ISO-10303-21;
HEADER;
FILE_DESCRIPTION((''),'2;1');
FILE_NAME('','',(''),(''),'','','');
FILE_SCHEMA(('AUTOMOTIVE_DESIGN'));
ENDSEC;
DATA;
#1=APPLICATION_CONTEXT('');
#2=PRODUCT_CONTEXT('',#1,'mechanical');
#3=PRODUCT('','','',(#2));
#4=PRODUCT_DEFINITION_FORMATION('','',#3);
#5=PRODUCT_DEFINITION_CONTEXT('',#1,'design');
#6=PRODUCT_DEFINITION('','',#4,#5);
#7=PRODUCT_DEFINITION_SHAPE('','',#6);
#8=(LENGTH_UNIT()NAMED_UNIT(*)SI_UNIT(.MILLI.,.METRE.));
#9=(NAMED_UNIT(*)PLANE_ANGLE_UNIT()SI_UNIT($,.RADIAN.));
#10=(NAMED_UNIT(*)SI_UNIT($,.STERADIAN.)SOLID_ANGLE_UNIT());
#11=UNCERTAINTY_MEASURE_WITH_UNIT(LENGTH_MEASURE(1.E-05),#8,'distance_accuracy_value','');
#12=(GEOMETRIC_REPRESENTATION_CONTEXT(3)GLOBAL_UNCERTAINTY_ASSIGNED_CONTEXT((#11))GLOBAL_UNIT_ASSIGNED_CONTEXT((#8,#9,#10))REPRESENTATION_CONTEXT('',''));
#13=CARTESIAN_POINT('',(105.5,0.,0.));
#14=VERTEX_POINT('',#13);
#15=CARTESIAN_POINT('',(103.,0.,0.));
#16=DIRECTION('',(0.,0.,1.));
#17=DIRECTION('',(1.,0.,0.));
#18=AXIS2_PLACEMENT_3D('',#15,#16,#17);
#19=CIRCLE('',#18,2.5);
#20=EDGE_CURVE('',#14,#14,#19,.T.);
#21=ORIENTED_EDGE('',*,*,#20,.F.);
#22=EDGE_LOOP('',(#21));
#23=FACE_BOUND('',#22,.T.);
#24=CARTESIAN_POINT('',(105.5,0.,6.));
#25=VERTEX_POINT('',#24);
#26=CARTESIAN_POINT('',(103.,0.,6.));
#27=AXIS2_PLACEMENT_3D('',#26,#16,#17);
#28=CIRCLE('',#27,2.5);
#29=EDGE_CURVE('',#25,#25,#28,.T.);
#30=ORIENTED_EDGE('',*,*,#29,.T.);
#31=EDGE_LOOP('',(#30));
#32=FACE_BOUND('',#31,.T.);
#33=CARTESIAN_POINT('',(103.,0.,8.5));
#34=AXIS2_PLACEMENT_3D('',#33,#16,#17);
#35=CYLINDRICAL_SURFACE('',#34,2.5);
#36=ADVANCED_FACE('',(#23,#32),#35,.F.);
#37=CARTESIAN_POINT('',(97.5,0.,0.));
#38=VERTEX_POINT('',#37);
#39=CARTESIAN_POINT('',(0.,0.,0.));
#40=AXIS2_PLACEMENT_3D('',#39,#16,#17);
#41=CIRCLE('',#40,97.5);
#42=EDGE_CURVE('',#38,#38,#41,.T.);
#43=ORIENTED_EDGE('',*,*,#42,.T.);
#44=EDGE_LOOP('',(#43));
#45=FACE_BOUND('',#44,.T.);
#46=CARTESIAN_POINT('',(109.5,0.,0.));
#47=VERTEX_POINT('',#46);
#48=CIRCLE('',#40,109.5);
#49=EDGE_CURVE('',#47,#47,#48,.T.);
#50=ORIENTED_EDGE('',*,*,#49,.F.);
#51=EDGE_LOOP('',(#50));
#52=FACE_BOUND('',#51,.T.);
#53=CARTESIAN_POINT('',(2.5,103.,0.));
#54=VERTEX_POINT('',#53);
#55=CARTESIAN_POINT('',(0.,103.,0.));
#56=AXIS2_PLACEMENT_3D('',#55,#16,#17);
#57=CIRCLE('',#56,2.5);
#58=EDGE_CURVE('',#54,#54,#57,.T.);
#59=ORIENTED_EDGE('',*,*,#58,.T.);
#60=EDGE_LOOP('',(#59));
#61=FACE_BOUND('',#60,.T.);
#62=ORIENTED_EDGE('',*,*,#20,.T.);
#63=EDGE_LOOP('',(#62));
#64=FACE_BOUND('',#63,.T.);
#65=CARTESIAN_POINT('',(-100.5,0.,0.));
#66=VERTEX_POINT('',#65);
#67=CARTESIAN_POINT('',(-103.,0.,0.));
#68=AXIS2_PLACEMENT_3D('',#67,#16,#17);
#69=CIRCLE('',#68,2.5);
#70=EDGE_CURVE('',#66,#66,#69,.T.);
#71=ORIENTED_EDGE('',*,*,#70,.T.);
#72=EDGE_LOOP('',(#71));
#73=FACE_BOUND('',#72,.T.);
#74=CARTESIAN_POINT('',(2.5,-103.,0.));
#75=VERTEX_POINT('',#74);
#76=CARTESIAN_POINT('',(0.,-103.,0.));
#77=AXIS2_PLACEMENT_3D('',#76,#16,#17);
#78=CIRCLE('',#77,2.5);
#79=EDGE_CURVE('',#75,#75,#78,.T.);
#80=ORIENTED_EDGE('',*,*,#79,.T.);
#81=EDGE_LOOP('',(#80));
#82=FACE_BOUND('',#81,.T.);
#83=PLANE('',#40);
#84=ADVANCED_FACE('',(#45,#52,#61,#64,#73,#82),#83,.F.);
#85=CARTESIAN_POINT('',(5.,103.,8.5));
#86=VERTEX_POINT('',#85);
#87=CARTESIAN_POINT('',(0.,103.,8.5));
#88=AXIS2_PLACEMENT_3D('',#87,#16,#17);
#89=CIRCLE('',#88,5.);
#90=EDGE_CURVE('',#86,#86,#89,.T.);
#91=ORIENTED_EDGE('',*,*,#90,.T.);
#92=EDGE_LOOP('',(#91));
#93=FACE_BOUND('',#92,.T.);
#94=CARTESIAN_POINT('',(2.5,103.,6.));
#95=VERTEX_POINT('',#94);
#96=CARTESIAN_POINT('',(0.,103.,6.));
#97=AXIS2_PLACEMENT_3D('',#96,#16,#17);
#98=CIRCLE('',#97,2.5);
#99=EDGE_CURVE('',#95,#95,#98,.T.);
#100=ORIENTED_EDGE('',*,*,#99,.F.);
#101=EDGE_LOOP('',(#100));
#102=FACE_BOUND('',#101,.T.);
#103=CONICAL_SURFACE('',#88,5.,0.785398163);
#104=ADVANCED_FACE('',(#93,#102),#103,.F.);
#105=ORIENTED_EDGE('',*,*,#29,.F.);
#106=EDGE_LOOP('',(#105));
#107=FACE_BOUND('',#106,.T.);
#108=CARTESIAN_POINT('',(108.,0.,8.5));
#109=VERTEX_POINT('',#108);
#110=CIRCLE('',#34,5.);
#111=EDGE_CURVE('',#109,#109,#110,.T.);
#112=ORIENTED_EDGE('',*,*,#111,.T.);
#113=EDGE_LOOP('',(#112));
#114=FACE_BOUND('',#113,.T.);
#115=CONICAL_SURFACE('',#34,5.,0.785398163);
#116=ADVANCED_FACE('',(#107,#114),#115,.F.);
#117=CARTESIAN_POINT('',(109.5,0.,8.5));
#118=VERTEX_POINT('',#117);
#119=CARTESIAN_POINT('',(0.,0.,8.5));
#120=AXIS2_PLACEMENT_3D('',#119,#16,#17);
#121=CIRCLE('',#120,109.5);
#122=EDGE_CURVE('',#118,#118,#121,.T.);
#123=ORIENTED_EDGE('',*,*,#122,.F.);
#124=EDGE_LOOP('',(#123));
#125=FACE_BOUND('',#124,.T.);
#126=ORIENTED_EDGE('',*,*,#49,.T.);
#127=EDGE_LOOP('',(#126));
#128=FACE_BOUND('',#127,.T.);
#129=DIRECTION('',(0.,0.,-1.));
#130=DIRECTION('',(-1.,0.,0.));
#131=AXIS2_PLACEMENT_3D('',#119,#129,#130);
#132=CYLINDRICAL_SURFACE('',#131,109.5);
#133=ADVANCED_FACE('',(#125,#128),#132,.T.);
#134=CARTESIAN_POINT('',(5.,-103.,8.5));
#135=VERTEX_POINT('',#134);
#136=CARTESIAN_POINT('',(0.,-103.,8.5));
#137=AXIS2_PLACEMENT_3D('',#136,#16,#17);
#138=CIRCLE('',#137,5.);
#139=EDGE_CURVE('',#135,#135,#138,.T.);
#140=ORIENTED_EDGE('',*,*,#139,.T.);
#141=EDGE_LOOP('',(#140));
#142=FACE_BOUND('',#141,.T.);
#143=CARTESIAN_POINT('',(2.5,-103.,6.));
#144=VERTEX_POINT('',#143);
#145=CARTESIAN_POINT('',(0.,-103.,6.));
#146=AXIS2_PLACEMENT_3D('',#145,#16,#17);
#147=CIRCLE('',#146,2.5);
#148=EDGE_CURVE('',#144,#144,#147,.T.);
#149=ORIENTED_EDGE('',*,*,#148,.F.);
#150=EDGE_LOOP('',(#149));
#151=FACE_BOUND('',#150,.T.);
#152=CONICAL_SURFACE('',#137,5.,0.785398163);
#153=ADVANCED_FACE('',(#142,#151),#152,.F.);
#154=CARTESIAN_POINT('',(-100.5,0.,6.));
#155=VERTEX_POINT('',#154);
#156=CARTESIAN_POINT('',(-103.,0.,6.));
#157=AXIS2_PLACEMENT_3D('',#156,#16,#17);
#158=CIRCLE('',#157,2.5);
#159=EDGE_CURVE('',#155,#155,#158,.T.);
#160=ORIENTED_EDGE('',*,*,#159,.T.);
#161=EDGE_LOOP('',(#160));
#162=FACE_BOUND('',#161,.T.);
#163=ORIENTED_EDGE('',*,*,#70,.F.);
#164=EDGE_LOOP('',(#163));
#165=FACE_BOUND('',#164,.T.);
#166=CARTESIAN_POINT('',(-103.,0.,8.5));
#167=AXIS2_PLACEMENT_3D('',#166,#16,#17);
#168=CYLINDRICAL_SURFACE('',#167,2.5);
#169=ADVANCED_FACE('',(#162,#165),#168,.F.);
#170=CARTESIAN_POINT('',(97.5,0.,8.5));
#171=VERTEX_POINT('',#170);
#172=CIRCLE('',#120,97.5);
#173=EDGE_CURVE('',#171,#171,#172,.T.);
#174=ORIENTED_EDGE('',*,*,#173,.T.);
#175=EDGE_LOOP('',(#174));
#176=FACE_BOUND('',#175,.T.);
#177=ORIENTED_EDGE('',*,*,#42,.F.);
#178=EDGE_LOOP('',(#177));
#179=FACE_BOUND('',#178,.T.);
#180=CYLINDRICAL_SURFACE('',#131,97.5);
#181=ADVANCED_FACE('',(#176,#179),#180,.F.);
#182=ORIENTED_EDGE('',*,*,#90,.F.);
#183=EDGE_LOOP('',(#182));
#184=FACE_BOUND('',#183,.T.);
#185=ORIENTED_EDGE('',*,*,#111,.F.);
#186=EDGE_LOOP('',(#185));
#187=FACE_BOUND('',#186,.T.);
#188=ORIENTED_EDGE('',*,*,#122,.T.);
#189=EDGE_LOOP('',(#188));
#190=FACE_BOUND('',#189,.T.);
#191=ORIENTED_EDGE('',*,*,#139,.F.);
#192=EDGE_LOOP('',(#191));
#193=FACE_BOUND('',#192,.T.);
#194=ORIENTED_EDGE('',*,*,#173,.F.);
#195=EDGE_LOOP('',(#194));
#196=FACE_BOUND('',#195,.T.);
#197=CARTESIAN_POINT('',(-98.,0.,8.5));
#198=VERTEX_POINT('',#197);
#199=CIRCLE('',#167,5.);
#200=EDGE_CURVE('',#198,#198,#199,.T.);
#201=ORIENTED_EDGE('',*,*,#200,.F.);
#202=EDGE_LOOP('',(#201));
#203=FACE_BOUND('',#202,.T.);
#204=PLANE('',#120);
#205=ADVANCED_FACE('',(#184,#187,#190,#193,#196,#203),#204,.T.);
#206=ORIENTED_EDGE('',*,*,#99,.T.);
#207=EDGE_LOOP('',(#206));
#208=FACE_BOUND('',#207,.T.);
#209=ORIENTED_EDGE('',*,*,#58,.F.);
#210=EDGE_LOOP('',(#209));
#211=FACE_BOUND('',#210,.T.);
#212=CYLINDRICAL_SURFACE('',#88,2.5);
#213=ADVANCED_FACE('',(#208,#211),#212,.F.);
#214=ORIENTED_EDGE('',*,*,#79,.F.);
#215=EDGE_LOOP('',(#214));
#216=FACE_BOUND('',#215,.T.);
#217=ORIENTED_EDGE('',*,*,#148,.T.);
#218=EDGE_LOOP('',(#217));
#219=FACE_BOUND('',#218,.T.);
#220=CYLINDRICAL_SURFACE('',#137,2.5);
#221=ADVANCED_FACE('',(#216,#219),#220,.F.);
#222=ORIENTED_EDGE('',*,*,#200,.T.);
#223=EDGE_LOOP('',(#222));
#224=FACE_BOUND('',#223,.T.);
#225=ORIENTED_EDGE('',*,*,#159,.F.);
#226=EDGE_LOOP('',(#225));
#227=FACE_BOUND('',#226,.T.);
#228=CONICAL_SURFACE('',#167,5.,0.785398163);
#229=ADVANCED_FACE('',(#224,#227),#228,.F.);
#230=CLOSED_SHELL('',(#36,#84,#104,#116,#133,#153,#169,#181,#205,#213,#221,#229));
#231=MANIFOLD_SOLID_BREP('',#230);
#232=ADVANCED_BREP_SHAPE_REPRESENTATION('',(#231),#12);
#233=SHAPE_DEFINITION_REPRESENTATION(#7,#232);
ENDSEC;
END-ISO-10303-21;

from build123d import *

# Parameters (mm, degrees)
SCHIZZO1_R                                           = 109.5
SCHIZZO1_R_2                                         = 97.5
ESTRUSIONE_ESTRUSIONE1_DEPTH                         = 8.5
FORO_SVASATO_PER_VITE_M4_A_TESTA_SVASATA_D           = 5
FORO_SVASATO_PER_VITE_M4_A_TESTA_SVASATA_CSINK_D     = 10
FORO_SVASATO_PER_VITE_M4_A_TESTA_SVASATA_CSINK_ANGLE = 90
RIPETIZIONECIRCOLARE1_COUNT                          = 4


with BuildPart() as part:
    # Schizzo1 → Estrusione-Estrusione1 (new body)
    with BuildSketch(Plane.XY):
        Circle(SCHIZZO1_R)
        Circle(SCHIZZO1_R_2, mode=Mode.SUBTRACT)
    extrude(amount=ESTRUSIONE_ESTRUSIONE1_DEPTH)

    # Foro svasato per Vite M4 a testa svasata cilindrica1 (through all)
    with Locations(Plane.XY.offset(8.5)):
        with Locations((0, 103)):
            foro_svasato_per_vite_m4_a_testa_svasata = CounterSinkHole(FORO_SVASATO_PER_VITE_M4_A_TESTA_SVASATA_D / 2, FORO_SVASATO_PER_VITE_M4_A_TESTA_SVASATA_CSINK_D / 2, counter_sink_angle=FORO_SVASATO_PER_VITE_M4_A_TESTA_SVASATA_CSINK_ANGLE)

    # RipetizioneCircolare1: Foro svasato per Vite M4 a testa svasata cilindrica1 ×4 about axis
    ripetizionecircolare1_axis = Axis((0, 0, 0), (0, 0, 1))
    for i in range(1, RIPETIZIONECIRCOLARE1_COUNT):
        add(foro_svasato_per_vite_m4_a_testa_svasata.rotate(ripetizionecircolare1_axis, i * 360 / RIPETIZIONECIRCOLARE1_COUNT), mode=Mode.SUBTRACT)


solid = part.part
